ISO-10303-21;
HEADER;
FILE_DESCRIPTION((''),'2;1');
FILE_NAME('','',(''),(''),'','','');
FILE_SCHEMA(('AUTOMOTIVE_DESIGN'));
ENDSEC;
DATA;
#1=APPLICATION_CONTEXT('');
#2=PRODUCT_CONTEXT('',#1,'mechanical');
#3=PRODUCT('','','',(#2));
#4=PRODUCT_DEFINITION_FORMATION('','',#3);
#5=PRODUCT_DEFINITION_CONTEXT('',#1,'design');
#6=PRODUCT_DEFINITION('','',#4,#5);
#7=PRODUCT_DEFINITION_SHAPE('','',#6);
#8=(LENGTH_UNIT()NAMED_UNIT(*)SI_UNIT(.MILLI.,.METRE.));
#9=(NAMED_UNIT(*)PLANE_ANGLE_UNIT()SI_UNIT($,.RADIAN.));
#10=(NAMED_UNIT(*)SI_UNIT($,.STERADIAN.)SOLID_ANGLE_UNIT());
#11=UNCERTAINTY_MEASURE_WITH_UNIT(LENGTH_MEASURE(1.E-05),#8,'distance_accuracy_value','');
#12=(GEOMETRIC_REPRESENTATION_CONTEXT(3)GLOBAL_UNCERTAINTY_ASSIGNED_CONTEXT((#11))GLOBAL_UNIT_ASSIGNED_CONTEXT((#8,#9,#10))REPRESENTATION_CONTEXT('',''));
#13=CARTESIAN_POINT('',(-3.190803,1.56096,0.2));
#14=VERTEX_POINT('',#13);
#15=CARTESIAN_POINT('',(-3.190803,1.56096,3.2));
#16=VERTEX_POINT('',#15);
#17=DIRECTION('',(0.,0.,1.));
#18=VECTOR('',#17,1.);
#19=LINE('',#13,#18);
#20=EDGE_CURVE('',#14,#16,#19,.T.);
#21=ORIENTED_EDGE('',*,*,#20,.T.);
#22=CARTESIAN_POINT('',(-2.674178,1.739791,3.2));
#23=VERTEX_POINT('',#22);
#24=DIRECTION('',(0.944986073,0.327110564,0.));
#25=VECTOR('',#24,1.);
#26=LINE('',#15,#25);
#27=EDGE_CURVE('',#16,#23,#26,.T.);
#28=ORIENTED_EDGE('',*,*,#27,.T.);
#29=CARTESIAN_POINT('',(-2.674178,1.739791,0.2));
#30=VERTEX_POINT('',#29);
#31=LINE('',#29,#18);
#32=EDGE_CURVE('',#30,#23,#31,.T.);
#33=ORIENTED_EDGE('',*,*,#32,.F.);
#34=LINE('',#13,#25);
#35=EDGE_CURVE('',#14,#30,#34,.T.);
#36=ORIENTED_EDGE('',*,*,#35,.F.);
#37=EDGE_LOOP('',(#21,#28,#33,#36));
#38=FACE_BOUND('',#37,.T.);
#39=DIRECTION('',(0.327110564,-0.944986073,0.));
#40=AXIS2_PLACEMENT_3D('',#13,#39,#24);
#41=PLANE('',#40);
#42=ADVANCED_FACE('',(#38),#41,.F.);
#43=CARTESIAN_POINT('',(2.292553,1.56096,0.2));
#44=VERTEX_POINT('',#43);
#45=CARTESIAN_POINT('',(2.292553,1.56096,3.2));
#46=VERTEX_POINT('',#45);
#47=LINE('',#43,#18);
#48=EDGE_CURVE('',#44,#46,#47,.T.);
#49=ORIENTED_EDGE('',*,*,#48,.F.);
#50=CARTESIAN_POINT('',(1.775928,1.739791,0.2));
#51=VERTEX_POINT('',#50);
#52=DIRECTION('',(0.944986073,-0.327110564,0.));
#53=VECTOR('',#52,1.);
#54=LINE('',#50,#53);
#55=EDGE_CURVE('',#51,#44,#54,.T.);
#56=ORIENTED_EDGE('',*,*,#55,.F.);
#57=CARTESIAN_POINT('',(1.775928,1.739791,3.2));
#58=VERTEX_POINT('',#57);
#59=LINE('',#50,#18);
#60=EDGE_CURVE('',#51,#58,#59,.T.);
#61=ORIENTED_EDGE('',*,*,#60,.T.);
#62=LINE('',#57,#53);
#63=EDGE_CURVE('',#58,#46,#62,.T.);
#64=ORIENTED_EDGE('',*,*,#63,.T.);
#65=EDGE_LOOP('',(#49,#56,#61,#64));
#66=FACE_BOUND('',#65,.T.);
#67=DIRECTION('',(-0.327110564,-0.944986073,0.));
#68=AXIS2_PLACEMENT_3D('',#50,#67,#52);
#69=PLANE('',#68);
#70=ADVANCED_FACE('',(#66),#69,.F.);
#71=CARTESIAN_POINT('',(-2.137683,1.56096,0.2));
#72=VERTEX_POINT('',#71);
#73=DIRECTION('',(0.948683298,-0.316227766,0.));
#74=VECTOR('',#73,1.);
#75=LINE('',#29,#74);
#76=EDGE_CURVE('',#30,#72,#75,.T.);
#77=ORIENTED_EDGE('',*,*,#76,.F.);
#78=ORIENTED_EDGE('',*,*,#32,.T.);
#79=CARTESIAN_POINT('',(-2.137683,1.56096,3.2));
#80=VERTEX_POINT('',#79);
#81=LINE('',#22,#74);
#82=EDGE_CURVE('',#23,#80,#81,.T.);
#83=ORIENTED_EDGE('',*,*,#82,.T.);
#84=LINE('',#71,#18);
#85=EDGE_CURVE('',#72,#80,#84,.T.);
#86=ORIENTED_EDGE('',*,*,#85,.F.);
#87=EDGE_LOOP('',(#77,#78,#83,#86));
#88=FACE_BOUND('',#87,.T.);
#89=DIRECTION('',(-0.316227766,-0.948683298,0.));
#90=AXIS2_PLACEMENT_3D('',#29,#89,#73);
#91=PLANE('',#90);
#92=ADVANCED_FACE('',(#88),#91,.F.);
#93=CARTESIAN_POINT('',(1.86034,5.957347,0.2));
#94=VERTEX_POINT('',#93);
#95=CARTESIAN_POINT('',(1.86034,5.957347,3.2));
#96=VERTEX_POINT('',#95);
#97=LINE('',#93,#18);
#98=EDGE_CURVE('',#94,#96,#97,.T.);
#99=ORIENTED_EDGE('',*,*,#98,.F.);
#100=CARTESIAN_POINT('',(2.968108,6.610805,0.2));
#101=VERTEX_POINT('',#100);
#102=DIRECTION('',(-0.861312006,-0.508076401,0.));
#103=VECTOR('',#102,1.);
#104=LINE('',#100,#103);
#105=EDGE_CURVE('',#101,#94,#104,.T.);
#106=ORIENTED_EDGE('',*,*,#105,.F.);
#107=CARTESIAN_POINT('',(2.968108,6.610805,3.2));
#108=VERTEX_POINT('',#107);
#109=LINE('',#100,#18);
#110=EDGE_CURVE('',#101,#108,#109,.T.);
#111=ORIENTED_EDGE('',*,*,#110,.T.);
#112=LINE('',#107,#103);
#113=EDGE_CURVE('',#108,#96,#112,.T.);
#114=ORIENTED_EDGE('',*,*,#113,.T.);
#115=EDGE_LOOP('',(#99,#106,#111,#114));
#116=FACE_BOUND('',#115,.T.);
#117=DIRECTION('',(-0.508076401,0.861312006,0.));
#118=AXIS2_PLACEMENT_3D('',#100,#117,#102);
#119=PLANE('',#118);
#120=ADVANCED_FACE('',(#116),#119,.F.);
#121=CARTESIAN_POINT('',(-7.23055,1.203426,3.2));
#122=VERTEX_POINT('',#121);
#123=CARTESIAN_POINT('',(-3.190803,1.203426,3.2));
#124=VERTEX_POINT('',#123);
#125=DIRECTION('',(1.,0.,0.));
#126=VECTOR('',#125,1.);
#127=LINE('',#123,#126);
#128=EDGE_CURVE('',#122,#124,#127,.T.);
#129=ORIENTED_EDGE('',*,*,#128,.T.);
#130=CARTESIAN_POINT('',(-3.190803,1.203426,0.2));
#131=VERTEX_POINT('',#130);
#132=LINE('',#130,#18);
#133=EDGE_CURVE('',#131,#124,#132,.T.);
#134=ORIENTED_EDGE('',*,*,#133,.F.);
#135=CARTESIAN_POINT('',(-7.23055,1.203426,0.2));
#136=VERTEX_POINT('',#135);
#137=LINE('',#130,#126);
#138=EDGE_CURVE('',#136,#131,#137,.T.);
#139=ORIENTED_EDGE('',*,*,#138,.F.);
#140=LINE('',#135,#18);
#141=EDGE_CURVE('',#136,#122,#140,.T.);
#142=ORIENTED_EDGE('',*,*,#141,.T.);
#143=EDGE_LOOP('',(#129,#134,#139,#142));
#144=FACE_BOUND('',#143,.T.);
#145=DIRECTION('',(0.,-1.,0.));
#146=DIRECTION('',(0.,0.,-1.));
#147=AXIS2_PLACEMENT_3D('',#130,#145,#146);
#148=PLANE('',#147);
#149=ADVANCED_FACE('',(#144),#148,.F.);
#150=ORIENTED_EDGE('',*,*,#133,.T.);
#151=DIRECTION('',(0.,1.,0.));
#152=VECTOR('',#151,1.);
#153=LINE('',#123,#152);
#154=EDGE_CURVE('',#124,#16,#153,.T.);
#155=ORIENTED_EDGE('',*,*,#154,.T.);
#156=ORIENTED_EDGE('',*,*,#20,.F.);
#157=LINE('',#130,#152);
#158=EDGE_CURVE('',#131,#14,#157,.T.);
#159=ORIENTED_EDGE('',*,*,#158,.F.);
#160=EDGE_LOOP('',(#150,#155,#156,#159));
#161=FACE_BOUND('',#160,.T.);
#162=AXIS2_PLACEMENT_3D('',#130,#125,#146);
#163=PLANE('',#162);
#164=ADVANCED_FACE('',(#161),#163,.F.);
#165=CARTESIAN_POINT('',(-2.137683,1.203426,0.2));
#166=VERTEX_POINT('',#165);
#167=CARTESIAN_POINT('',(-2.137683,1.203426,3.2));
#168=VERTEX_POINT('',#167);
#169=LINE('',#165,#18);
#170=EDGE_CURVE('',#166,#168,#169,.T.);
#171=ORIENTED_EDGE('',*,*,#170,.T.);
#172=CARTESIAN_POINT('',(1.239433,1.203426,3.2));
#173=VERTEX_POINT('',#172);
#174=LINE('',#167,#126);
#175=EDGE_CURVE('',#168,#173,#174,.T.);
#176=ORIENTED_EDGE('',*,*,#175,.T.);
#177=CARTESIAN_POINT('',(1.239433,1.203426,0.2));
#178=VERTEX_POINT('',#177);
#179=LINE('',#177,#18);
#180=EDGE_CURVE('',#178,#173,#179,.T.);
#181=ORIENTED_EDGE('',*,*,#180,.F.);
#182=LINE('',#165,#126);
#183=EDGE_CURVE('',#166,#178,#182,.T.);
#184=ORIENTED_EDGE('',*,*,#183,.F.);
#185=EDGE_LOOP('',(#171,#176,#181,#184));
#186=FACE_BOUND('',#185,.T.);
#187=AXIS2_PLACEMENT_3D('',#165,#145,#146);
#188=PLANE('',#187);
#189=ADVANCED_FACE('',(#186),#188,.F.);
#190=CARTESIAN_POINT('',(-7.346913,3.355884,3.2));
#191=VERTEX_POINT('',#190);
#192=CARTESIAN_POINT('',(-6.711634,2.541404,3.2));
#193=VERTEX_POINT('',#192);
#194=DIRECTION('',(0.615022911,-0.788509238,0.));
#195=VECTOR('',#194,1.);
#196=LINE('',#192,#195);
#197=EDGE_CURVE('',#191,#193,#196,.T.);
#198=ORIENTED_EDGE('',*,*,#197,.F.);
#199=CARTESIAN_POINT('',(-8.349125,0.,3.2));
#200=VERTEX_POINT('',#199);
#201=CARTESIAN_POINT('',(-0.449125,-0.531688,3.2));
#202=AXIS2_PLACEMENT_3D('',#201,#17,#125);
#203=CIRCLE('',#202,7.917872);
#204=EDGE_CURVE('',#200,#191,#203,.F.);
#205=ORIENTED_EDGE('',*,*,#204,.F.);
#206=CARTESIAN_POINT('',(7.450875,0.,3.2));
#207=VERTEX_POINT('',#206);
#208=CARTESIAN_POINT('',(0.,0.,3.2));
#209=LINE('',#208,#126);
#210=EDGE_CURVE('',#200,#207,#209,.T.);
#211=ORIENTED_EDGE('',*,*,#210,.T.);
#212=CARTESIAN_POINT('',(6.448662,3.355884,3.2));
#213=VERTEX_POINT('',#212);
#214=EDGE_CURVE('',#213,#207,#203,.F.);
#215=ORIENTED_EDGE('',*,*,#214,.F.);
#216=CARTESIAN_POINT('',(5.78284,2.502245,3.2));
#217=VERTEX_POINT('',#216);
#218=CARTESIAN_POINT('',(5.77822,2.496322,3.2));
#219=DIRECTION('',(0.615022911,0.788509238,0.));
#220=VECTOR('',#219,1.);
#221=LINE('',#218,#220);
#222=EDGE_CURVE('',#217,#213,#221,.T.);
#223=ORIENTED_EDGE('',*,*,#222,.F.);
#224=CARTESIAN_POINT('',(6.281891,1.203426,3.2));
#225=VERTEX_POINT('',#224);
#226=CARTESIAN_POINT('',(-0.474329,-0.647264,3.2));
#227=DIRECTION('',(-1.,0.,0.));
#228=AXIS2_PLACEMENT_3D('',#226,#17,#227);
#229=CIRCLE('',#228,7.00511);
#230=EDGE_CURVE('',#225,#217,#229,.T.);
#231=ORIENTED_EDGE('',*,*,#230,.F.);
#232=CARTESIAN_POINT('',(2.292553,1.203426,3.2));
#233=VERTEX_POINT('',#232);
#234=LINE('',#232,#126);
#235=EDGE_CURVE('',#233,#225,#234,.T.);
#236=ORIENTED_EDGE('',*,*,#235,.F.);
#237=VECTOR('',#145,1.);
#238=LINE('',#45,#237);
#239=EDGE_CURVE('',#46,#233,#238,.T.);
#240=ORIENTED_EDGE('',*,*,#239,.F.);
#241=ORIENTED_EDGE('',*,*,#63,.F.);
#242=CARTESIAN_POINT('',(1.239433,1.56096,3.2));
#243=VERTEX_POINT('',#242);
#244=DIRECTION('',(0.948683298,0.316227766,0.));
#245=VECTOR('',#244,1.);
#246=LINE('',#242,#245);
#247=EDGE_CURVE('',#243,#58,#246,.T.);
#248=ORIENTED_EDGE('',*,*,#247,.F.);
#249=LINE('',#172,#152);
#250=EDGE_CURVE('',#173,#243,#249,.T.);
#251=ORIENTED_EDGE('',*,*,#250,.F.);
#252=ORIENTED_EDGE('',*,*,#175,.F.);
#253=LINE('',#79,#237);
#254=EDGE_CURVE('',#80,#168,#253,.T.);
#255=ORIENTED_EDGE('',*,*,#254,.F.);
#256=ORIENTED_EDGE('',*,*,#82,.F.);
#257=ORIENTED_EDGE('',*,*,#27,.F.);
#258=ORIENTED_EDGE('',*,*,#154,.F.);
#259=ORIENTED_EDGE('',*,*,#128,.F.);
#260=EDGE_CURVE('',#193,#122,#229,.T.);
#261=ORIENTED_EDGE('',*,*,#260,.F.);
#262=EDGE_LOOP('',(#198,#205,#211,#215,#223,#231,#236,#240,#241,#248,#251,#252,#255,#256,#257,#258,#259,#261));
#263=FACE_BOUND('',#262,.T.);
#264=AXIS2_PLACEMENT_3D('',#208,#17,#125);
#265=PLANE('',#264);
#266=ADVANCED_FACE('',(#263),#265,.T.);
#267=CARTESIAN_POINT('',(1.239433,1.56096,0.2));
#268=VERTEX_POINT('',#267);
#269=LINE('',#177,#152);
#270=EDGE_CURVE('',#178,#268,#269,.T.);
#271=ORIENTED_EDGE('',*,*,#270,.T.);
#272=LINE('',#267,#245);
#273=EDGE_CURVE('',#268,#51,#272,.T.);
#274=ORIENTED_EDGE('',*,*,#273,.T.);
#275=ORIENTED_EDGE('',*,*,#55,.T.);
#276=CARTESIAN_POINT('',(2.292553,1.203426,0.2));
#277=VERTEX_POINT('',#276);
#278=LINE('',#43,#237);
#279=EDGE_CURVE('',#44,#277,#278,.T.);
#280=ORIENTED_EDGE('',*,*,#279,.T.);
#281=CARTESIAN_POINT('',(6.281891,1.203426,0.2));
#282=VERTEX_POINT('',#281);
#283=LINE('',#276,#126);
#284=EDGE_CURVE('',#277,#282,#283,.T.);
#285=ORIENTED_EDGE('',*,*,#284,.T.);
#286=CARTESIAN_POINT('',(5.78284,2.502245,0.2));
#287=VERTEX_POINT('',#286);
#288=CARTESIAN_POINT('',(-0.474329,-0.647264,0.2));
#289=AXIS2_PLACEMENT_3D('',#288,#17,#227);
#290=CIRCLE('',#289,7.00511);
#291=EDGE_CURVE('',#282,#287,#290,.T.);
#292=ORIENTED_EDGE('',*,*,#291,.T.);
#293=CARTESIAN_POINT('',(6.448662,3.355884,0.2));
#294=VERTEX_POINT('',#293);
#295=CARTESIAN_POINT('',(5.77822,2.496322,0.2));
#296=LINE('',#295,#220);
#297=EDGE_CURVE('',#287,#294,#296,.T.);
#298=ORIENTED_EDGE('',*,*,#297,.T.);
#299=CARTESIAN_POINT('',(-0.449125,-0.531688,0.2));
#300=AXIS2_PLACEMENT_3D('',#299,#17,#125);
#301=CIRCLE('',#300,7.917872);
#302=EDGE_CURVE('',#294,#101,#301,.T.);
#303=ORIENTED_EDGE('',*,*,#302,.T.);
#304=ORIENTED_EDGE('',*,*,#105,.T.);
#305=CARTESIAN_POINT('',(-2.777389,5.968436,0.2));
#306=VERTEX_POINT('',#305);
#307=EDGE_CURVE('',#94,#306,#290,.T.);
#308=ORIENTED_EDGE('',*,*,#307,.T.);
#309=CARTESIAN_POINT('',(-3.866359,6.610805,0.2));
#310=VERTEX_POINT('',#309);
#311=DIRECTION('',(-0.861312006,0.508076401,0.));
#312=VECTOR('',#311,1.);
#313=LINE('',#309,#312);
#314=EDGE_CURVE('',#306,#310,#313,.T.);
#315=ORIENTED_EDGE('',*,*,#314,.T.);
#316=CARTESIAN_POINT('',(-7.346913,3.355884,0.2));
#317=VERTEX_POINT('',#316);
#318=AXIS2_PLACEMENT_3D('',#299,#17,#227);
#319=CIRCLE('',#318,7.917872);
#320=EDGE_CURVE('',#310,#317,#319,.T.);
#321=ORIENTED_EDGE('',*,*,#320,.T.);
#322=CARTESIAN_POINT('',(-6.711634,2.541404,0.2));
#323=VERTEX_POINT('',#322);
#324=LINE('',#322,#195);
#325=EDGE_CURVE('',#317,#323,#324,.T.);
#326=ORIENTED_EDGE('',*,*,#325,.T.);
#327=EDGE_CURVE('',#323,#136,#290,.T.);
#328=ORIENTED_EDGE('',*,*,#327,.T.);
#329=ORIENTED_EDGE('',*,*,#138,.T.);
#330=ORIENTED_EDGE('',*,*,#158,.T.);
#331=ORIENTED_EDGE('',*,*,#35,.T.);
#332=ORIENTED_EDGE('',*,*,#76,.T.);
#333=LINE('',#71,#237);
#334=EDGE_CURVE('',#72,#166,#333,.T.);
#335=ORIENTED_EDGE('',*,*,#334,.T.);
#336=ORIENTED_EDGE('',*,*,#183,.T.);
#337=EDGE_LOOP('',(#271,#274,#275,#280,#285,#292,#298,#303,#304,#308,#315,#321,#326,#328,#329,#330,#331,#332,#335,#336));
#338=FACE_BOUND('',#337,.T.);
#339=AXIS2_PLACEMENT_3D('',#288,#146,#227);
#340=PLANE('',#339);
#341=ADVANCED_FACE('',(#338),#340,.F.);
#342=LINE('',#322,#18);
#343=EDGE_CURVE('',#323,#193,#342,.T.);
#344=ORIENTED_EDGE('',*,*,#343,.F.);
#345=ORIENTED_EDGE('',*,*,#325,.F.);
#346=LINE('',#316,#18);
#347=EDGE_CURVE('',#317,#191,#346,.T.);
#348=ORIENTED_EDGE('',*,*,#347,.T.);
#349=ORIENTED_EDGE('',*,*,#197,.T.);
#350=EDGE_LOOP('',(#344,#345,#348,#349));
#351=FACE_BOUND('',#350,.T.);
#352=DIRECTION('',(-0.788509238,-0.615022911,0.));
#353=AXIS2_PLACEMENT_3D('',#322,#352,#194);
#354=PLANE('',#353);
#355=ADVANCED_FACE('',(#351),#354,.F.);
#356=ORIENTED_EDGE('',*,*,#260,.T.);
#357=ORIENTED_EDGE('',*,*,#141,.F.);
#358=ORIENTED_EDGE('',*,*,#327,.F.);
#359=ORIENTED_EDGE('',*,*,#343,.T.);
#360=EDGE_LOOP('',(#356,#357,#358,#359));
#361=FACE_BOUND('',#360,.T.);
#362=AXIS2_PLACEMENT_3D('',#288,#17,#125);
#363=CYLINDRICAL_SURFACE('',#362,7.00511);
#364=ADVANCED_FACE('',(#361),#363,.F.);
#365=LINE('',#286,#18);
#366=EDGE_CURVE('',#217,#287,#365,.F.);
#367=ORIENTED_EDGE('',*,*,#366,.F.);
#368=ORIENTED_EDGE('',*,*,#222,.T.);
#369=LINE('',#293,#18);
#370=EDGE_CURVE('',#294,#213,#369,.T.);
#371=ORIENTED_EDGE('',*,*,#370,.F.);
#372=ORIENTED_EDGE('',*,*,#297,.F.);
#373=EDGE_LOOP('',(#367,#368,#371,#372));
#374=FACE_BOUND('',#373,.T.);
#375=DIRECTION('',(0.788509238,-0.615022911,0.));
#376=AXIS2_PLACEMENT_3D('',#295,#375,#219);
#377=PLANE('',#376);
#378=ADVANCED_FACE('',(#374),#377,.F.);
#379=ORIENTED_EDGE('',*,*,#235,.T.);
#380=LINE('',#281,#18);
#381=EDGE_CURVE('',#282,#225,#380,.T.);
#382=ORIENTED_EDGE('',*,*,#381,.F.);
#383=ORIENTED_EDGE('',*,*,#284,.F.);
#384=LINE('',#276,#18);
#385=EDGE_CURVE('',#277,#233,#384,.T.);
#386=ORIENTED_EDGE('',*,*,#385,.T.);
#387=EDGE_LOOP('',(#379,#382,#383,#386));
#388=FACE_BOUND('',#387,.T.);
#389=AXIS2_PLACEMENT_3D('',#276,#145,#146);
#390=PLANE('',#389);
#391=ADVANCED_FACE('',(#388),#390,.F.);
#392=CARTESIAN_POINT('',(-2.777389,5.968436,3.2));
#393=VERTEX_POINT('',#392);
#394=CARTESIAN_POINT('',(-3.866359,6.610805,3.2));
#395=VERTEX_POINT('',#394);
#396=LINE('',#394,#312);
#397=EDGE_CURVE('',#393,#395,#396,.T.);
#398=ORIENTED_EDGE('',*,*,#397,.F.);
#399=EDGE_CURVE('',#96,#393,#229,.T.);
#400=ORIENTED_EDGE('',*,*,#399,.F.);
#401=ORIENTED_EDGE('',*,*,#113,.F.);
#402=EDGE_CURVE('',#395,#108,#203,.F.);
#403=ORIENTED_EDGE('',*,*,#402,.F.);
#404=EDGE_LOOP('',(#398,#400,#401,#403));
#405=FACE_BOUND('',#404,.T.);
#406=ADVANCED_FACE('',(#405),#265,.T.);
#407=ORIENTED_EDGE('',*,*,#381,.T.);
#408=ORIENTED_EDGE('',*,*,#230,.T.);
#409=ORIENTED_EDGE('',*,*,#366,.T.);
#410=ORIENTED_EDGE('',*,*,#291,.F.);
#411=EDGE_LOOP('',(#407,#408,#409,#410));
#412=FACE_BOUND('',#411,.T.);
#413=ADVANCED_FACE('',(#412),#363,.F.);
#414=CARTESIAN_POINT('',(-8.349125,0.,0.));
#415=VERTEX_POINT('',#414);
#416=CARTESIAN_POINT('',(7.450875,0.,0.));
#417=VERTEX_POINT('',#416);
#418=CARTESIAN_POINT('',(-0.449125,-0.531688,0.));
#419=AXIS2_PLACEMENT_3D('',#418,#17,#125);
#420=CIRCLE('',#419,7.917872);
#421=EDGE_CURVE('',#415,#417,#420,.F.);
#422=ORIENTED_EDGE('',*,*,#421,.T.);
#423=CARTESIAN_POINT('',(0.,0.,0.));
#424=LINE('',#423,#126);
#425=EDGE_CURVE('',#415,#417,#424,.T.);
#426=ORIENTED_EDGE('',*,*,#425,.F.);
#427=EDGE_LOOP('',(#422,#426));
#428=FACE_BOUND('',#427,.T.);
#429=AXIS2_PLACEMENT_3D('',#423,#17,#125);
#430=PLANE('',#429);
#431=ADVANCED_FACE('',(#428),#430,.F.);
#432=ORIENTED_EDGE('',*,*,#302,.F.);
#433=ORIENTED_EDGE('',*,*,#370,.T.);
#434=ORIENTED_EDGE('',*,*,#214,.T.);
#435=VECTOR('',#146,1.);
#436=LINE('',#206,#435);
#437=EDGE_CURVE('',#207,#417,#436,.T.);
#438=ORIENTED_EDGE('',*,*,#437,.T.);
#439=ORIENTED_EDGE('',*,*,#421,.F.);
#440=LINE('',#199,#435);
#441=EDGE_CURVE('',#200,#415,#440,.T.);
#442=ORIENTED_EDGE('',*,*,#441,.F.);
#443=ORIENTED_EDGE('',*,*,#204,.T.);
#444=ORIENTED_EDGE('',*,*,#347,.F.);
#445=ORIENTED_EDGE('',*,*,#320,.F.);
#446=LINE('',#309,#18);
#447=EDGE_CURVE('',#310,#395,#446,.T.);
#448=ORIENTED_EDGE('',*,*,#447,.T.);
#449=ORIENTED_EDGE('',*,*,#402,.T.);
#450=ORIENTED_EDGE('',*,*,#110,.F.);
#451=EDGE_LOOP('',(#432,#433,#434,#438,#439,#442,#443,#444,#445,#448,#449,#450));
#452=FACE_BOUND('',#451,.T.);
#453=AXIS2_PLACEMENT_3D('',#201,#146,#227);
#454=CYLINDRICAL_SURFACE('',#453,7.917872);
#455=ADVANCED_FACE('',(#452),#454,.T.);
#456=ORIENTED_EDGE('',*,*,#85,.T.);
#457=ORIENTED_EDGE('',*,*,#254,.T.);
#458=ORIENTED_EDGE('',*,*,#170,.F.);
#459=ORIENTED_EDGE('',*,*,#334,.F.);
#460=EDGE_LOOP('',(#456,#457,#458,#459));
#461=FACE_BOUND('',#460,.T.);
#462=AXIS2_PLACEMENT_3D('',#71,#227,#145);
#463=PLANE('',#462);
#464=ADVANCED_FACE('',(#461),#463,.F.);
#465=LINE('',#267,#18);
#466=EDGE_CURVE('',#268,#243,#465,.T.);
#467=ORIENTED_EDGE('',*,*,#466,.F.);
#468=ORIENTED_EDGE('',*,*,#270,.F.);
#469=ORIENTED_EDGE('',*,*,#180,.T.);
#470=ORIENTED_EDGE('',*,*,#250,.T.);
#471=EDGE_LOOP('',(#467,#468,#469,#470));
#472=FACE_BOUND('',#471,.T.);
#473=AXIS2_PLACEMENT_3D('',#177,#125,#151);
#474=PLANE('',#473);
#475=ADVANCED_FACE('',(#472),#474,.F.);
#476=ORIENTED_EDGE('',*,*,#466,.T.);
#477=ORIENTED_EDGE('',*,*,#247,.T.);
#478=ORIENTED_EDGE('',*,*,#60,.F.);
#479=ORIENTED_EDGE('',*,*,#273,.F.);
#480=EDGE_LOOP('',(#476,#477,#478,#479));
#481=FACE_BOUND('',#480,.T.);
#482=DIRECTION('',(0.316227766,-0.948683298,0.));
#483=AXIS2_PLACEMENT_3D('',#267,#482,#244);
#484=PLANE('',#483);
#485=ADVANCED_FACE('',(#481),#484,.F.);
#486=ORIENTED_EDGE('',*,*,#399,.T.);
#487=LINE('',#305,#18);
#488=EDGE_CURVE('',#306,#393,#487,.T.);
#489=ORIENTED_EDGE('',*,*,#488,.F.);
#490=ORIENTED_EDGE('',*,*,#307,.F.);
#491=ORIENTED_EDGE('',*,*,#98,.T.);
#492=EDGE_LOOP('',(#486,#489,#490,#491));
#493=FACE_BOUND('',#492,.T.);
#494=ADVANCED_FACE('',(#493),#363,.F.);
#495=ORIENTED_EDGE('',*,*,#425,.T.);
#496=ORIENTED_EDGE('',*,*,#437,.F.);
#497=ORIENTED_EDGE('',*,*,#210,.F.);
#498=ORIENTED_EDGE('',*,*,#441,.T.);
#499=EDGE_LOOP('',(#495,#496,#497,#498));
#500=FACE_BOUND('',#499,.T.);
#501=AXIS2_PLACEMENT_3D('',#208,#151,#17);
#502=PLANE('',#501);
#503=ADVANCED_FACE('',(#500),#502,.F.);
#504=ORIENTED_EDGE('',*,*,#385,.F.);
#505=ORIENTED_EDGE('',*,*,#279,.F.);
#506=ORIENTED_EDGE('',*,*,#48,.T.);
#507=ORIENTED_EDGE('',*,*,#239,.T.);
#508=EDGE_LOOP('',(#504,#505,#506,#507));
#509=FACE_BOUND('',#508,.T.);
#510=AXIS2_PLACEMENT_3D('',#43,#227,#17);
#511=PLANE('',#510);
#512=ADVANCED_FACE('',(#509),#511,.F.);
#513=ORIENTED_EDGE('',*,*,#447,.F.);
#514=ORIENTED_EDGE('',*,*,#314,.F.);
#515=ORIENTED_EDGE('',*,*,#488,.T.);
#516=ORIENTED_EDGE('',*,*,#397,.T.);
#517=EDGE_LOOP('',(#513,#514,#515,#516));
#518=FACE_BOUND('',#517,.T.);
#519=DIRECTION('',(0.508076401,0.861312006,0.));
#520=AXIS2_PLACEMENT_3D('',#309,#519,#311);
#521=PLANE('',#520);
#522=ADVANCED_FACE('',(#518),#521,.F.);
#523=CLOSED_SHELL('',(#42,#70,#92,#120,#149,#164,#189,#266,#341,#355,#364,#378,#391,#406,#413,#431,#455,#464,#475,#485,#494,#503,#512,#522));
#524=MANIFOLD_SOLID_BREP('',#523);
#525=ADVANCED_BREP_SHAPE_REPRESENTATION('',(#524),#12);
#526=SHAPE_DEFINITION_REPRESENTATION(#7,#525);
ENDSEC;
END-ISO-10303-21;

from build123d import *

# Parameters (mm, degrees)
BOSS_EXTRUDE1_DEPTH = 3.2
CUT_EXTRUDE1_DEPTH  = 3
CUT_EXTRUDE2_START  = -3
CUT_EXTRUDE2_DEPTH  = 3


with BuildPart() as part:
    # Sketch1 → Boss-Extrude1 (new body)
    with BuildSketch(Plane.XY):
        with BuildLine():
            Line((-8.349125364, 0), (7.450874636, 0))
            ThreePointArc((7.450874636, 0), (-0.449125364, 7.386183646), (-8.349125364, 0))
        make_face()
    extrude(amount=BOSS_EXTRUDE1_DEPTH)

    # Sketch3 → Cut-Extrude1 (cut)
    with BuildSketch(Plane.XY.offset(3.2)):
        with BuildLine():
            Line((-3.19080338, 1.203425656), (-3.19080338, 1.560959579))
            Line((-3.19080338, 1.560959579), (-2.674178491, 1.739791271))
            Line((-2.674178491, 1.739791271), (-2.137683415, 1.560959579))
            Line((-2.137683415, 1.560959579), (-2.137683415, 1.203425656))
            Line((-2.137683415, 1.203425656), (1.239432686, 1.203425656))
            Line((1.239432686, 1.203425656), (1.239432686, 1.560959579))
            Line((1.239432686, 1.560959579), (1.775927763, 1.739791271))
            Line((1.775927763, 1.739791271), (2.292552651, 1.560959579))
            Line((2.292552651, 1.560959579), (2.292552651, 1.203425656))
            Line((2.292552651, 1.203425656), (6.281891371, 1.203425656))
            ThreePointArc((6.281891371, 1.203425656), (-0.47432937, 6.35784653), (-7.230550111, 1.203425656))
            Line((-7.230550111, 1.203425656), (-3.19080338, 1.203425656))
        make_face()
    extrude(amount=-CUT_EXTRUDE1_DEPTH, mode=Mode.SUBTRACT)

    # Sketch6 → Cut-Extrude2 (cut)
    with BuildSketch(Plane.XY.offset(3.2).offset(CUT_EXTRUDE2_START)):
        with BuildLine():
            Line((-3.866358844, 6.61080504), (-2.777388902, 5.968436276))
            ThreePointArc((-2.777388902, 5.968436276), (-5.071279367, 4.630051211), (-6.711633725, 2.54140437))
            Line((-6.711633725, 2.54140437), (-7.346913092, 3.355884027))
            ThreePointArc((-7.346913092, 3.355884027), (-5.857317606, 5.251403586), (-3.866358844, 6.61080504))
        make_face()
        with BuildLine():
            Line((5.778219706, 2.496322182), (6.448662363, 3.355884027))
            ThreePointArc((6.448662363, 3.355884027), (4.959066878, 5.251403586), (2.968108115, 6.61080504))
            Line((2.968108115, 6.61080504), (1.854961189, 5.954174597))
            ThreePointArc((1.854961189, 5.954174597), (4.155461155, 4.609729053), (5.778219706, 2.496322182))
        make_face()
    extrude(amount=CUT_EXTRUDE2_DEPTH, mode=Mode.SUBTRACT)


solid = part.part
